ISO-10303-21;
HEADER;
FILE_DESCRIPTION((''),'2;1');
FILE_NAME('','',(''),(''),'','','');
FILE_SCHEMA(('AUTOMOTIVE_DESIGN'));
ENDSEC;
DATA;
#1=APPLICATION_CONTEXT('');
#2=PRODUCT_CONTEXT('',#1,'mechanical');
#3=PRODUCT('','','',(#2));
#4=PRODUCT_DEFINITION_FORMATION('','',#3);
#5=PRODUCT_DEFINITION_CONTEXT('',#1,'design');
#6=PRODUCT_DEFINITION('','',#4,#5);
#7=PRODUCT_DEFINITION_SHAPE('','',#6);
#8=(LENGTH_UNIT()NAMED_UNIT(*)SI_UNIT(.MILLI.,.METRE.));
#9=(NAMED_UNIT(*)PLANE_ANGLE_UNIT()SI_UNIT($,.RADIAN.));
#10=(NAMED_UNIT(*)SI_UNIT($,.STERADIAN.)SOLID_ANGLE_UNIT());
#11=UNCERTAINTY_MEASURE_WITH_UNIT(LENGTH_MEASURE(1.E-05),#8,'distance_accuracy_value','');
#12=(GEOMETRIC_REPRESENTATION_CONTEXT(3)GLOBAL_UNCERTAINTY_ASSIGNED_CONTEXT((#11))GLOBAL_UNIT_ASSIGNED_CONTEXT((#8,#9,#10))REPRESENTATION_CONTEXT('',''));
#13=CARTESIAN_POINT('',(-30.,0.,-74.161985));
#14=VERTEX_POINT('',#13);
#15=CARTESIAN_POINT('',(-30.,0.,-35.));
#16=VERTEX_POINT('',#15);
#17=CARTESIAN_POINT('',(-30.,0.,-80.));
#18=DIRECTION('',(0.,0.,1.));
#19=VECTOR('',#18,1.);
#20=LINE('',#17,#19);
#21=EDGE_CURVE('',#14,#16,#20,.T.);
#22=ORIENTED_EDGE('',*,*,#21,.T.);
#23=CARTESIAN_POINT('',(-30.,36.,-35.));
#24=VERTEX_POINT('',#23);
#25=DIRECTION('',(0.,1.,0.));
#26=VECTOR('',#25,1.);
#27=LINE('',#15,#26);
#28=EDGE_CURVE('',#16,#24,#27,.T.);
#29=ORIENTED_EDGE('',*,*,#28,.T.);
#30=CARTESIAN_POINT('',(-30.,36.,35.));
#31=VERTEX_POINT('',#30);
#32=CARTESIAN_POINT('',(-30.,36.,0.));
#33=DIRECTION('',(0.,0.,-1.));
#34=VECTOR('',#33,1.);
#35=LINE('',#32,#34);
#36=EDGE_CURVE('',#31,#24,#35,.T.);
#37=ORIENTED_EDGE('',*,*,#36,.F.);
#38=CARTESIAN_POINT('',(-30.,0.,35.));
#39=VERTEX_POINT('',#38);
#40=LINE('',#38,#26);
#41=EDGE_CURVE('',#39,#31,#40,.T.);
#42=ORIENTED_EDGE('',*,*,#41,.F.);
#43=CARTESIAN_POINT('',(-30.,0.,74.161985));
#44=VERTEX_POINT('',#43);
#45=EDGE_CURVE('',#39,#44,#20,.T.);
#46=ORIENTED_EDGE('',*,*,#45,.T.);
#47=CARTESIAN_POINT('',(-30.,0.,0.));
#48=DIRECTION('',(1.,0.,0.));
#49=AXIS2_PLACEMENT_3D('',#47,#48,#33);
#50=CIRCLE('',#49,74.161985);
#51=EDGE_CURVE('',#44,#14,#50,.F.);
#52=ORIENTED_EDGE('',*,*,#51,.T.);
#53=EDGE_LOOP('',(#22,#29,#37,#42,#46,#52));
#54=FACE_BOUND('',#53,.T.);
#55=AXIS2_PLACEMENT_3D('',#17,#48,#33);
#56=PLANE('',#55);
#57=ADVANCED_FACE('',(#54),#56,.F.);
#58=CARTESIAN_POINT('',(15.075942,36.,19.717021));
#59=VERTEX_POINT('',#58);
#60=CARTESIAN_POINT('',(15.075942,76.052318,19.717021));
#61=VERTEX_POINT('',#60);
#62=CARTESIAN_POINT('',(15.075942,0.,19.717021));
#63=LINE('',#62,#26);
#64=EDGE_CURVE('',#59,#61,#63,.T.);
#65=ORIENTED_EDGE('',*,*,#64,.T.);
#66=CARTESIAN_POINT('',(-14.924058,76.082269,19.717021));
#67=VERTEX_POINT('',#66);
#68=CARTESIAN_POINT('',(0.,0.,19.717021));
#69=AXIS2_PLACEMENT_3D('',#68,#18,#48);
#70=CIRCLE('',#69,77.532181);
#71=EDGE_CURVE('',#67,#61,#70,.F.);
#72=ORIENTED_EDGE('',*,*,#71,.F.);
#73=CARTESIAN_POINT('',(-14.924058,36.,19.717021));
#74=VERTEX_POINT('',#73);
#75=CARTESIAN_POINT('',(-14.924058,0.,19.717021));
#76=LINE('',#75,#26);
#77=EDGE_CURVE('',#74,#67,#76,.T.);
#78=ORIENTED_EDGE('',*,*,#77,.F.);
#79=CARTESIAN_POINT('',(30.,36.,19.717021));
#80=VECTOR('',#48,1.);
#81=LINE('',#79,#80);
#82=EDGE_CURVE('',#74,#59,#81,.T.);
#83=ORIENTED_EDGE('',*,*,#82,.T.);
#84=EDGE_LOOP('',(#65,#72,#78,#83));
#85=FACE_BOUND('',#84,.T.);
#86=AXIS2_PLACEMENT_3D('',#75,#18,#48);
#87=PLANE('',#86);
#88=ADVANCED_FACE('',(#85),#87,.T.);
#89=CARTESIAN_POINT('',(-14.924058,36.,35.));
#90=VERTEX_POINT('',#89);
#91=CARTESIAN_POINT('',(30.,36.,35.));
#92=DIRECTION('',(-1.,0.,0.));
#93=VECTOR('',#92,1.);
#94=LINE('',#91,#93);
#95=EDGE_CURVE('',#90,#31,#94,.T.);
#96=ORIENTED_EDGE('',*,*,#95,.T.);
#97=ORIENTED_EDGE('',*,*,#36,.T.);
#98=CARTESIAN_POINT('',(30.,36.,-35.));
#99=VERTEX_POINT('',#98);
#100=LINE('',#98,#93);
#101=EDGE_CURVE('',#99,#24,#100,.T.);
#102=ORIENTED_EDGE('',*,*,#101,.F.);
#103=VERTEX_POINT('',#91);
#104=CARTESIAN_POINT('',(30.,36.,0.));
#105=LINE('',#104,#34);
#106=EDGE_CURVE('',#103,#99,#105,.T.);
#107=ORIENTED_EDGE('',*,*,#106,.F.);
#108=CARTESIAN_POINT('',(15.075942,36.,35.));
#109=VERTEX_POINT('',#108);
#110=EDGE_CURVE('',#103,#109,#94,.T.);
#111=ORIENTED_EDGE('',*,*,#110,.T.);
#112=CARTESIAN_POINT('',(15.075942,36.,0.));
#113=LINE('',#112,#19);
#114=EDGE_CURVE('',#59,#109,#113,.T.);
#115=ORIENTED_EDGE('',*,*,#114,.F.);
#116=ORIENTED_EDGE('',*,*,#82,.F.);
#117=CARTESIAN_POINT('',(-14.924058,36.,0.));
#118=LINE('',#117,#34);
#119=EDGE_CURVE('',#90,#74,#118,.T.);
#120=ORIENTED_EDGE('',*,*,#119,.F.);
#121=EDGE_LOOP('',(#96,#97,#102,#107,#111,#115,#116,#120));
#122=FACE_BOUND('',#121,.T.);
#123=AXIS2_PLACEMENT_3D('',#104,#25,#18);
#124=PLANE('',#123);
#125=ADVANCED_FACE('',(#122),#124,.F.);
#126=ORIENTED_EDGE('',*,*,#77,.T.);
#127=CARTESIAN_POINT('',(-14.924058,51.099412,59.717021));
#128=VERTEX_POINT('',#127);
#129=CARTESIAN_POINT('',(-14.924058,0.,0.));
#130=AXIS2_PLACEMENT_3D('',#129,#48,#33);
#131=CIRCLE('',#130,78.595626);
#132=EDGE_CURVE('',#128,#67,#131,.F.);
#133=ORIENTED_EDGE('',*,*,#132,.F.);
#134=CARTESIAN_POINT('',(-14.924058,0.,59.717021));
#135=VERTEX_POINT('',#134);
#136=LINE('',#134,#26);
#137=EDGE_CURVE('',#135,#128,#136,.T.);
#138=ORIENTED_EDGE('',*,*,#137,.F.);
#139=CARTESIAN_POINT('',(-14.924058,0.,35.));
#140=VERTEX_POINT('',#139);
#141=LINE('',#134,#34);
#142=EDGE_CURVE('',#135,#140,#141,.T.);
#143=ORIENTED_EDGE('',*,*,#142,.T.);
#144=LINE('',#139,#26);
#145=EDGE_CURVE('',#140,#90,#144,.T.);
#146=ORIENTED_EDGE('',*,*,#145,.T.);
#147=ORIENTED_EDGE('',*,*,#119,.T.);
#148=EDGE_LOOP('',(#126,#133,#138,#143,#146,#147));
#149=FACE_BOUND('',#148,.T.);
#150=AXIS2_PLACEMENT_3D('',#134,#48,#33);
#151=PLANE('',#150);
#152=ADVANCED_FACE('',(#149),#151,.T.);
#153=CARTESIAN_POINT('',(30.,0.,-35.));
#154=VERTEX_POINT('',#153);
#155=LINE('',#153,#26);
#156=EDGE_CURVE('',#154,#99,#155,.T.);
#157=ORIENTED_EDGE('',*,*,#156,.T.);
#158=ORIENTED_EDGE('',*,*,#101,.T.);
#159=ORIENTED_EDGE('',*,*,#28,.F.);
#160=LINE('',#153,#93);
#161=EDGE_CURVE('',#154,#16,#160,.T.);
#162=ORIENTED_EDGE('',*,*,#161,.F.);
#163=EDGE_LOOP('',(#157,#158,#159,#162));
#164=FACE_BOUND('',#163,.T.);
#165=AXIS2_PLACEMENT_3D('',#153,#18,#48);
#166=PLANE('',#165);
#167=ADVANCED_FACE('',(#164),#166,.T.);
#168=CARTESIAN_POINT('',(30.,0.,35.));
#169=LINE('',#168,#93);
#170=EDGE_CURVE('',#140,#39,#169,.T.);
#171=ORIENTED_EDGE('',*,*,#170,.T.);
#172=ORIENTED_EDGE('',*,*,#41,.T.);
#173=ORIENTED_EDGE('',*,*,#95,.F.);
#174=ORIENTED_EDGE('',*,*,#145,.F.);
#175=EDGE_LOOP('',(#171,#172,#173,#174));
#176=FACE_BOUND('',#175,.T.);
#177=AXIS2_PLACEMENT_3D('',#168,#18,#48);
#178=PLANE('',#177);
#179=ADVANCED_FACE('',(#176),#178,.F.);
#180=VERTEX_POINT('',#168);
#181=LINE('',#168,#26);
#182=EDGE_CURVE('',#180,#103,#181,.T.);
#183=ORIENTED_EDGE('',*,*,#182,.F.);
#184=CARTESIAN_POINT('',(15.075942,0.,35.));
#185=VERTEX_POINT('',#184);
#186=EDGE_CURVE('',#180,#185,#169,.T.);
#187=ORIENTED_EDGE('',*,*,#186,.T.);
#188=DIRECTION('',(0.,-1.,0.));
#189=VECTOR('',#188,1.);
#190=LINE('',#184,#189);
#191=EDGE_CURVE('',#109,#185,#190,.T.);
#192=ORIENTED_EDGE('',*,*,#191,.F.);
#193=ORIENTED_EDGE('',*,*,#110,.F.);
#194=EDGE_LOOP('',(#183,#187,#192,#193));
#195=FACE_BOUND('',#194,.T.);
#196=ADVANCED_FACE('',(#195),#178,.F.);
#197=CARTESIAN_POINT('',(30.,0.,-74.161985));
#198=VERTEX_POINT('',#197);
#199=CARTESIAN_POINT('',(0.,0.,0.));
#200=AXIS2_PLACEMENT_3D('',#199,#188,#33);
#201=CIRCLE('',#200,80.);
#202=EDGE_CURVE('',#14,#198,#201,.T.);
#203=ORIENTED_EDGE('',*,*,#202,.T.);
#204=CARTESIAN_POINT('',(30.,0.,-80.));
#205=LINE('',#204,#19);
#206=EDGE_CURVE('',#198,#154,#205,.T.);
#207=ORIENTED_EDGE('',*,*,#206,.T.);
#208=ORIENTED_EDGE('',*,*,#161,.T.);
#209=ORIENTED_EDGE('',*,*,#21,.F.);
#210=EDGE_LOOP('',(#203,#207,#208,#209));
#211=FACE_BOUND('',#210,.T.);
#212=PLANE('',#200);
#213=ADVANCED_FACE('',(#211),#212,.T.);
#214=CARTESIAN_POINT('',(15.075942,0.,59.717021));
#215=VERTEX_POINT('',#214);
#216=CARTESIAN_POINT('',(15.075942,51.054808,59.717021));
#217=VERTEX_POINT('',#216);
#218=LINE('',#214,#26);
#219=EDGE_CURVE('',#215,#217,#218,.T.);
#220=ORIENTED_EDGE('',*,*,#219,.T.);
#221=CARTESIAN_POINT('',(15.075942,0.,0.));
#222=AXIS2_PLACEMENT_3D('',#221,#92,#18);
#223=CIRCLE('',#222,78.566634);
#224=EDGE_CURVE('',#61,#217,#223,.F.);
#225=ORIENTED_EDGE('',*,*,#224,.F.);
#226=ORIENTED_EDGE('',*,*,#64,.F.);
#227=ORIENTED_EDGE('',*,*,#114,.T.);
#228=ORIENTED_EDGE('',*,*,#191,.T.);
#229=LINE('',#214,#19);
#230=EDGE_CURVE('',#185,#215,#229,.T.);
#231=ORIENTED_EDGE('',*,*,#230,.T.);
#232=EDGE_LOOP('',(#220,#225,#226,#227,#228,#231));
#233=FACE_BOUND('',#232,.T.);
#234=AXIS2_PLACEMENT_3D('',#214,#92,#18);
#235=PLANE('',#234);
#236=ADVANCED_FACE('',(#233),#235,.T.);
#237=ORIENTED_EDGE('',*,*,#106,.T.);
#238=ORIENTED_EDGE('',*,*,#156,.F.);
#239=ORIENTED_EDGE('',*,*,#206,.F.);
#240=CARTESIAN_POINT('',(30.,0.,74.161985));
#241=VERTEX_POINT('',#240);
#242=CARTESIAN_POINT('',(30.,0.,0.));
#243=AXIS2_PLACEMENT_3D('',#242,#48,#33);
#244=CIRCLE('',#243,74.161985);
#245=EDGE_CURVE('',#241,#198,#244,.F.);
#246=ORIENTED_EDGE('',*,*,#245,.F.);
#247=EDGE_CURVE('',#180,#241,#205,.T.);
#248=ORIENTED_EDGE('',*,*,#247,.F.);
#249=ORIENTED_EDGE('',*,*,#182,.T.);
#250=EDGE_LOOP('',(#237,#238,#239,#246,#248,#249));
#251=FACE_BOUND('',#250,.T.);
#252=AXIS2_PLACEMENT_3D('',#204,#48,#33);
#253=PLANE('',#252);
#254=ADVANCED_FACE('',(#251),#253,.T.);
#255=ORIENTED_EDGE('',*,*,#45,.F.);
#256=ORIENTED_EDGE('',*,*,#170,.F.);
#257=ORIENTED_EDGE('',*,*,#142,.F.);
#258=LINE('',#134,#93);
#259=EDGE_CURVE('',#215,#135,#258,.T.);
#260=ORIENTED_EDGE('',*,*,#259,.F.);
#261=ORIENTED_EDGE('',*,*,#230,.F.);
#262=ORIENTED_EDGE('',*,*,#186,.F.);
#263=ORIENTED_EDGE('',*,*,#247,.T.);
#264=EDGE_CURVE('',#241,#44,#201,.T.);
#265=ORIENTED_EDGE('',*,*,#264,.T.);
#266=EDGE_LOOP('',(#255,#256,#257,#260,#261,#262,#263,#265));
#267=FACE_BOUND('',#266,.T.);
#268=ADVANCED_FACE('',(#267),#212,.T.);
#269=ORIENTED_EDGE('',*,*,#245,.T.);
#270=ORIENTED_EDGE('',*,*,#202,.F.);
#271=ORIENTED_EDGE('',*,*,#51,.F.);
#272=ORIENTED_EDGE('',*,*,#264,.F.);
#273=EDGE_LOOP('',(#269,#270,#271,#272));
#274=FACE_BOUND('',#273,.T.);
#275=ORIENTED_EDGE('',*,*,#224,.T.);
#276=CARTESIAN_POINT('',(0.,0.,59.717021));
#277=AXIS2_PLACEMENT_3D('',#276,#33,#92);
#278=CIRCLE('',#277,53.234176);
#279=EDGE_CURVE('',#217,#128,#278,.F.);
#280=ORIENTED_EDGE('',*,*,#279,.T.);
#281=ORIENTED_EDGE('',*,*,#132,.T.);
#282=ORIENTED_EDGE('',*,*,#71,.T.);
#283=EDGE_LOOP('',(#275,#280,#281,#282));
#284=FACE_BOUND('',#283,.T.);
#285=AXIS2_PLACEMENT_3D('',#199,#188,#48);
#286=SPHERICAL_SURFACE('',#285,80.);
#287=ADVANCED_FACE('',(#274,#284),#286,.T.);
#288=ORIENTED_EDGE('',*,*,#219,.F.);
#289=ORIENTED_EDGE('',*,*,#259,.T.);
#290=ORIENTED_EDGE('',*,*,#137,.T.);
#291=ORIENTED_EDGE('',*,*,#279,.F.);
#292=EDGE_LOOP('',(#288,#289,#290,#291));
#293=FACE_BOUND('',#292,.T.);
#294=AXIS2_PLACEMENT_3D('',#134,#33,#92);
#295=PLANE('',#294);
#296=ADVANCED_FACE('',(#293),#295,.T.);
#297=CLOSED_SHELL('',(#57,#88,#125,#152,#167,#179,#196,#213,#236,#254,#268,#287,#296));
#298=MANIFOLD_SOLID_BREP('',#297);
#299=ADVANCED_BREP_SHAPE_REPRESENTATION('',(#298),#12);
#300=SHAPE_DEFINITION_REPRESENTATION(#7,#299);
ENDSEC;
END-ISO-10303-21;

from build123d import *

# Parameters (mm, degrees)
SKETCH2_W          = 50
SKETCH2_H          = 80
CUT_EXTRUDE1_DEPTH = 196.959179423
SKETCH3_W          = 70
SKETCH3_H          = 36
CUT_EXTRUDE2_DEPTH = 129.062484749
SKETCH5_W          = 30
SKETCH5_H          = 40
CUT_EXTRUDE3_DEPTH = 118.046999107


with BuildPart() as part:
    # Sketch1 → Revolve2 (revolve)
    with BuildSketch(Plane.XY):
        with BuildLine():
            Line((0, 0), (80, 0))
            ThreePointArc((80, 0), (56.568542495, 56.568542495), (0, 80))
            Line((0, 80), (0, 0))
        make_face()
    revolve(axis=Axis((0, 0, 0), (0, 1, 0)))

    # Sketch2 → Cut-Extrude1 (cut, through all)
    with BuildSketch(Plane.XY.offset(80)):
        with Locations((55, 40)):
            Rectangle(SKETCH2_W, SKETCH2_H)
        with Locations((-55, 40)):
            Rectangle(SKETCH2_W, SKETCH2_H)
    extrude(amount=-CUT_EXTRUDE1_DEPTH, mode=Mode.SUBTRACT)

    # Sketch3 → Cut-Extrude2 (cut, through all)
    with BuildSketch(Plane.ZY.offset(30)):
        with Locations((0, 18)):
            Rectangle(SKETCH3_W, SKETCH3_H)
    extrude(amount=-CUT_EXTRUDE2_DEPTH, mode=Mode.SUBTRACT)

    # Sketch5 → Cut-Extrude3 (cut, through all)
    with BuildSketch(Plane(origin=(0, 80, 0), x_dir=(-1, 0, 0), z_dir=(0, -1, 0))):
        with Locations((-0.075942229, -39.717020611)):
            Rectangle(SKETCH5_W, SKETCH5_H)
    extrude(amount=CUT_EXTRUDE3_DEPTH, mode=Mode.SUBTRACT)


solid = part.part
